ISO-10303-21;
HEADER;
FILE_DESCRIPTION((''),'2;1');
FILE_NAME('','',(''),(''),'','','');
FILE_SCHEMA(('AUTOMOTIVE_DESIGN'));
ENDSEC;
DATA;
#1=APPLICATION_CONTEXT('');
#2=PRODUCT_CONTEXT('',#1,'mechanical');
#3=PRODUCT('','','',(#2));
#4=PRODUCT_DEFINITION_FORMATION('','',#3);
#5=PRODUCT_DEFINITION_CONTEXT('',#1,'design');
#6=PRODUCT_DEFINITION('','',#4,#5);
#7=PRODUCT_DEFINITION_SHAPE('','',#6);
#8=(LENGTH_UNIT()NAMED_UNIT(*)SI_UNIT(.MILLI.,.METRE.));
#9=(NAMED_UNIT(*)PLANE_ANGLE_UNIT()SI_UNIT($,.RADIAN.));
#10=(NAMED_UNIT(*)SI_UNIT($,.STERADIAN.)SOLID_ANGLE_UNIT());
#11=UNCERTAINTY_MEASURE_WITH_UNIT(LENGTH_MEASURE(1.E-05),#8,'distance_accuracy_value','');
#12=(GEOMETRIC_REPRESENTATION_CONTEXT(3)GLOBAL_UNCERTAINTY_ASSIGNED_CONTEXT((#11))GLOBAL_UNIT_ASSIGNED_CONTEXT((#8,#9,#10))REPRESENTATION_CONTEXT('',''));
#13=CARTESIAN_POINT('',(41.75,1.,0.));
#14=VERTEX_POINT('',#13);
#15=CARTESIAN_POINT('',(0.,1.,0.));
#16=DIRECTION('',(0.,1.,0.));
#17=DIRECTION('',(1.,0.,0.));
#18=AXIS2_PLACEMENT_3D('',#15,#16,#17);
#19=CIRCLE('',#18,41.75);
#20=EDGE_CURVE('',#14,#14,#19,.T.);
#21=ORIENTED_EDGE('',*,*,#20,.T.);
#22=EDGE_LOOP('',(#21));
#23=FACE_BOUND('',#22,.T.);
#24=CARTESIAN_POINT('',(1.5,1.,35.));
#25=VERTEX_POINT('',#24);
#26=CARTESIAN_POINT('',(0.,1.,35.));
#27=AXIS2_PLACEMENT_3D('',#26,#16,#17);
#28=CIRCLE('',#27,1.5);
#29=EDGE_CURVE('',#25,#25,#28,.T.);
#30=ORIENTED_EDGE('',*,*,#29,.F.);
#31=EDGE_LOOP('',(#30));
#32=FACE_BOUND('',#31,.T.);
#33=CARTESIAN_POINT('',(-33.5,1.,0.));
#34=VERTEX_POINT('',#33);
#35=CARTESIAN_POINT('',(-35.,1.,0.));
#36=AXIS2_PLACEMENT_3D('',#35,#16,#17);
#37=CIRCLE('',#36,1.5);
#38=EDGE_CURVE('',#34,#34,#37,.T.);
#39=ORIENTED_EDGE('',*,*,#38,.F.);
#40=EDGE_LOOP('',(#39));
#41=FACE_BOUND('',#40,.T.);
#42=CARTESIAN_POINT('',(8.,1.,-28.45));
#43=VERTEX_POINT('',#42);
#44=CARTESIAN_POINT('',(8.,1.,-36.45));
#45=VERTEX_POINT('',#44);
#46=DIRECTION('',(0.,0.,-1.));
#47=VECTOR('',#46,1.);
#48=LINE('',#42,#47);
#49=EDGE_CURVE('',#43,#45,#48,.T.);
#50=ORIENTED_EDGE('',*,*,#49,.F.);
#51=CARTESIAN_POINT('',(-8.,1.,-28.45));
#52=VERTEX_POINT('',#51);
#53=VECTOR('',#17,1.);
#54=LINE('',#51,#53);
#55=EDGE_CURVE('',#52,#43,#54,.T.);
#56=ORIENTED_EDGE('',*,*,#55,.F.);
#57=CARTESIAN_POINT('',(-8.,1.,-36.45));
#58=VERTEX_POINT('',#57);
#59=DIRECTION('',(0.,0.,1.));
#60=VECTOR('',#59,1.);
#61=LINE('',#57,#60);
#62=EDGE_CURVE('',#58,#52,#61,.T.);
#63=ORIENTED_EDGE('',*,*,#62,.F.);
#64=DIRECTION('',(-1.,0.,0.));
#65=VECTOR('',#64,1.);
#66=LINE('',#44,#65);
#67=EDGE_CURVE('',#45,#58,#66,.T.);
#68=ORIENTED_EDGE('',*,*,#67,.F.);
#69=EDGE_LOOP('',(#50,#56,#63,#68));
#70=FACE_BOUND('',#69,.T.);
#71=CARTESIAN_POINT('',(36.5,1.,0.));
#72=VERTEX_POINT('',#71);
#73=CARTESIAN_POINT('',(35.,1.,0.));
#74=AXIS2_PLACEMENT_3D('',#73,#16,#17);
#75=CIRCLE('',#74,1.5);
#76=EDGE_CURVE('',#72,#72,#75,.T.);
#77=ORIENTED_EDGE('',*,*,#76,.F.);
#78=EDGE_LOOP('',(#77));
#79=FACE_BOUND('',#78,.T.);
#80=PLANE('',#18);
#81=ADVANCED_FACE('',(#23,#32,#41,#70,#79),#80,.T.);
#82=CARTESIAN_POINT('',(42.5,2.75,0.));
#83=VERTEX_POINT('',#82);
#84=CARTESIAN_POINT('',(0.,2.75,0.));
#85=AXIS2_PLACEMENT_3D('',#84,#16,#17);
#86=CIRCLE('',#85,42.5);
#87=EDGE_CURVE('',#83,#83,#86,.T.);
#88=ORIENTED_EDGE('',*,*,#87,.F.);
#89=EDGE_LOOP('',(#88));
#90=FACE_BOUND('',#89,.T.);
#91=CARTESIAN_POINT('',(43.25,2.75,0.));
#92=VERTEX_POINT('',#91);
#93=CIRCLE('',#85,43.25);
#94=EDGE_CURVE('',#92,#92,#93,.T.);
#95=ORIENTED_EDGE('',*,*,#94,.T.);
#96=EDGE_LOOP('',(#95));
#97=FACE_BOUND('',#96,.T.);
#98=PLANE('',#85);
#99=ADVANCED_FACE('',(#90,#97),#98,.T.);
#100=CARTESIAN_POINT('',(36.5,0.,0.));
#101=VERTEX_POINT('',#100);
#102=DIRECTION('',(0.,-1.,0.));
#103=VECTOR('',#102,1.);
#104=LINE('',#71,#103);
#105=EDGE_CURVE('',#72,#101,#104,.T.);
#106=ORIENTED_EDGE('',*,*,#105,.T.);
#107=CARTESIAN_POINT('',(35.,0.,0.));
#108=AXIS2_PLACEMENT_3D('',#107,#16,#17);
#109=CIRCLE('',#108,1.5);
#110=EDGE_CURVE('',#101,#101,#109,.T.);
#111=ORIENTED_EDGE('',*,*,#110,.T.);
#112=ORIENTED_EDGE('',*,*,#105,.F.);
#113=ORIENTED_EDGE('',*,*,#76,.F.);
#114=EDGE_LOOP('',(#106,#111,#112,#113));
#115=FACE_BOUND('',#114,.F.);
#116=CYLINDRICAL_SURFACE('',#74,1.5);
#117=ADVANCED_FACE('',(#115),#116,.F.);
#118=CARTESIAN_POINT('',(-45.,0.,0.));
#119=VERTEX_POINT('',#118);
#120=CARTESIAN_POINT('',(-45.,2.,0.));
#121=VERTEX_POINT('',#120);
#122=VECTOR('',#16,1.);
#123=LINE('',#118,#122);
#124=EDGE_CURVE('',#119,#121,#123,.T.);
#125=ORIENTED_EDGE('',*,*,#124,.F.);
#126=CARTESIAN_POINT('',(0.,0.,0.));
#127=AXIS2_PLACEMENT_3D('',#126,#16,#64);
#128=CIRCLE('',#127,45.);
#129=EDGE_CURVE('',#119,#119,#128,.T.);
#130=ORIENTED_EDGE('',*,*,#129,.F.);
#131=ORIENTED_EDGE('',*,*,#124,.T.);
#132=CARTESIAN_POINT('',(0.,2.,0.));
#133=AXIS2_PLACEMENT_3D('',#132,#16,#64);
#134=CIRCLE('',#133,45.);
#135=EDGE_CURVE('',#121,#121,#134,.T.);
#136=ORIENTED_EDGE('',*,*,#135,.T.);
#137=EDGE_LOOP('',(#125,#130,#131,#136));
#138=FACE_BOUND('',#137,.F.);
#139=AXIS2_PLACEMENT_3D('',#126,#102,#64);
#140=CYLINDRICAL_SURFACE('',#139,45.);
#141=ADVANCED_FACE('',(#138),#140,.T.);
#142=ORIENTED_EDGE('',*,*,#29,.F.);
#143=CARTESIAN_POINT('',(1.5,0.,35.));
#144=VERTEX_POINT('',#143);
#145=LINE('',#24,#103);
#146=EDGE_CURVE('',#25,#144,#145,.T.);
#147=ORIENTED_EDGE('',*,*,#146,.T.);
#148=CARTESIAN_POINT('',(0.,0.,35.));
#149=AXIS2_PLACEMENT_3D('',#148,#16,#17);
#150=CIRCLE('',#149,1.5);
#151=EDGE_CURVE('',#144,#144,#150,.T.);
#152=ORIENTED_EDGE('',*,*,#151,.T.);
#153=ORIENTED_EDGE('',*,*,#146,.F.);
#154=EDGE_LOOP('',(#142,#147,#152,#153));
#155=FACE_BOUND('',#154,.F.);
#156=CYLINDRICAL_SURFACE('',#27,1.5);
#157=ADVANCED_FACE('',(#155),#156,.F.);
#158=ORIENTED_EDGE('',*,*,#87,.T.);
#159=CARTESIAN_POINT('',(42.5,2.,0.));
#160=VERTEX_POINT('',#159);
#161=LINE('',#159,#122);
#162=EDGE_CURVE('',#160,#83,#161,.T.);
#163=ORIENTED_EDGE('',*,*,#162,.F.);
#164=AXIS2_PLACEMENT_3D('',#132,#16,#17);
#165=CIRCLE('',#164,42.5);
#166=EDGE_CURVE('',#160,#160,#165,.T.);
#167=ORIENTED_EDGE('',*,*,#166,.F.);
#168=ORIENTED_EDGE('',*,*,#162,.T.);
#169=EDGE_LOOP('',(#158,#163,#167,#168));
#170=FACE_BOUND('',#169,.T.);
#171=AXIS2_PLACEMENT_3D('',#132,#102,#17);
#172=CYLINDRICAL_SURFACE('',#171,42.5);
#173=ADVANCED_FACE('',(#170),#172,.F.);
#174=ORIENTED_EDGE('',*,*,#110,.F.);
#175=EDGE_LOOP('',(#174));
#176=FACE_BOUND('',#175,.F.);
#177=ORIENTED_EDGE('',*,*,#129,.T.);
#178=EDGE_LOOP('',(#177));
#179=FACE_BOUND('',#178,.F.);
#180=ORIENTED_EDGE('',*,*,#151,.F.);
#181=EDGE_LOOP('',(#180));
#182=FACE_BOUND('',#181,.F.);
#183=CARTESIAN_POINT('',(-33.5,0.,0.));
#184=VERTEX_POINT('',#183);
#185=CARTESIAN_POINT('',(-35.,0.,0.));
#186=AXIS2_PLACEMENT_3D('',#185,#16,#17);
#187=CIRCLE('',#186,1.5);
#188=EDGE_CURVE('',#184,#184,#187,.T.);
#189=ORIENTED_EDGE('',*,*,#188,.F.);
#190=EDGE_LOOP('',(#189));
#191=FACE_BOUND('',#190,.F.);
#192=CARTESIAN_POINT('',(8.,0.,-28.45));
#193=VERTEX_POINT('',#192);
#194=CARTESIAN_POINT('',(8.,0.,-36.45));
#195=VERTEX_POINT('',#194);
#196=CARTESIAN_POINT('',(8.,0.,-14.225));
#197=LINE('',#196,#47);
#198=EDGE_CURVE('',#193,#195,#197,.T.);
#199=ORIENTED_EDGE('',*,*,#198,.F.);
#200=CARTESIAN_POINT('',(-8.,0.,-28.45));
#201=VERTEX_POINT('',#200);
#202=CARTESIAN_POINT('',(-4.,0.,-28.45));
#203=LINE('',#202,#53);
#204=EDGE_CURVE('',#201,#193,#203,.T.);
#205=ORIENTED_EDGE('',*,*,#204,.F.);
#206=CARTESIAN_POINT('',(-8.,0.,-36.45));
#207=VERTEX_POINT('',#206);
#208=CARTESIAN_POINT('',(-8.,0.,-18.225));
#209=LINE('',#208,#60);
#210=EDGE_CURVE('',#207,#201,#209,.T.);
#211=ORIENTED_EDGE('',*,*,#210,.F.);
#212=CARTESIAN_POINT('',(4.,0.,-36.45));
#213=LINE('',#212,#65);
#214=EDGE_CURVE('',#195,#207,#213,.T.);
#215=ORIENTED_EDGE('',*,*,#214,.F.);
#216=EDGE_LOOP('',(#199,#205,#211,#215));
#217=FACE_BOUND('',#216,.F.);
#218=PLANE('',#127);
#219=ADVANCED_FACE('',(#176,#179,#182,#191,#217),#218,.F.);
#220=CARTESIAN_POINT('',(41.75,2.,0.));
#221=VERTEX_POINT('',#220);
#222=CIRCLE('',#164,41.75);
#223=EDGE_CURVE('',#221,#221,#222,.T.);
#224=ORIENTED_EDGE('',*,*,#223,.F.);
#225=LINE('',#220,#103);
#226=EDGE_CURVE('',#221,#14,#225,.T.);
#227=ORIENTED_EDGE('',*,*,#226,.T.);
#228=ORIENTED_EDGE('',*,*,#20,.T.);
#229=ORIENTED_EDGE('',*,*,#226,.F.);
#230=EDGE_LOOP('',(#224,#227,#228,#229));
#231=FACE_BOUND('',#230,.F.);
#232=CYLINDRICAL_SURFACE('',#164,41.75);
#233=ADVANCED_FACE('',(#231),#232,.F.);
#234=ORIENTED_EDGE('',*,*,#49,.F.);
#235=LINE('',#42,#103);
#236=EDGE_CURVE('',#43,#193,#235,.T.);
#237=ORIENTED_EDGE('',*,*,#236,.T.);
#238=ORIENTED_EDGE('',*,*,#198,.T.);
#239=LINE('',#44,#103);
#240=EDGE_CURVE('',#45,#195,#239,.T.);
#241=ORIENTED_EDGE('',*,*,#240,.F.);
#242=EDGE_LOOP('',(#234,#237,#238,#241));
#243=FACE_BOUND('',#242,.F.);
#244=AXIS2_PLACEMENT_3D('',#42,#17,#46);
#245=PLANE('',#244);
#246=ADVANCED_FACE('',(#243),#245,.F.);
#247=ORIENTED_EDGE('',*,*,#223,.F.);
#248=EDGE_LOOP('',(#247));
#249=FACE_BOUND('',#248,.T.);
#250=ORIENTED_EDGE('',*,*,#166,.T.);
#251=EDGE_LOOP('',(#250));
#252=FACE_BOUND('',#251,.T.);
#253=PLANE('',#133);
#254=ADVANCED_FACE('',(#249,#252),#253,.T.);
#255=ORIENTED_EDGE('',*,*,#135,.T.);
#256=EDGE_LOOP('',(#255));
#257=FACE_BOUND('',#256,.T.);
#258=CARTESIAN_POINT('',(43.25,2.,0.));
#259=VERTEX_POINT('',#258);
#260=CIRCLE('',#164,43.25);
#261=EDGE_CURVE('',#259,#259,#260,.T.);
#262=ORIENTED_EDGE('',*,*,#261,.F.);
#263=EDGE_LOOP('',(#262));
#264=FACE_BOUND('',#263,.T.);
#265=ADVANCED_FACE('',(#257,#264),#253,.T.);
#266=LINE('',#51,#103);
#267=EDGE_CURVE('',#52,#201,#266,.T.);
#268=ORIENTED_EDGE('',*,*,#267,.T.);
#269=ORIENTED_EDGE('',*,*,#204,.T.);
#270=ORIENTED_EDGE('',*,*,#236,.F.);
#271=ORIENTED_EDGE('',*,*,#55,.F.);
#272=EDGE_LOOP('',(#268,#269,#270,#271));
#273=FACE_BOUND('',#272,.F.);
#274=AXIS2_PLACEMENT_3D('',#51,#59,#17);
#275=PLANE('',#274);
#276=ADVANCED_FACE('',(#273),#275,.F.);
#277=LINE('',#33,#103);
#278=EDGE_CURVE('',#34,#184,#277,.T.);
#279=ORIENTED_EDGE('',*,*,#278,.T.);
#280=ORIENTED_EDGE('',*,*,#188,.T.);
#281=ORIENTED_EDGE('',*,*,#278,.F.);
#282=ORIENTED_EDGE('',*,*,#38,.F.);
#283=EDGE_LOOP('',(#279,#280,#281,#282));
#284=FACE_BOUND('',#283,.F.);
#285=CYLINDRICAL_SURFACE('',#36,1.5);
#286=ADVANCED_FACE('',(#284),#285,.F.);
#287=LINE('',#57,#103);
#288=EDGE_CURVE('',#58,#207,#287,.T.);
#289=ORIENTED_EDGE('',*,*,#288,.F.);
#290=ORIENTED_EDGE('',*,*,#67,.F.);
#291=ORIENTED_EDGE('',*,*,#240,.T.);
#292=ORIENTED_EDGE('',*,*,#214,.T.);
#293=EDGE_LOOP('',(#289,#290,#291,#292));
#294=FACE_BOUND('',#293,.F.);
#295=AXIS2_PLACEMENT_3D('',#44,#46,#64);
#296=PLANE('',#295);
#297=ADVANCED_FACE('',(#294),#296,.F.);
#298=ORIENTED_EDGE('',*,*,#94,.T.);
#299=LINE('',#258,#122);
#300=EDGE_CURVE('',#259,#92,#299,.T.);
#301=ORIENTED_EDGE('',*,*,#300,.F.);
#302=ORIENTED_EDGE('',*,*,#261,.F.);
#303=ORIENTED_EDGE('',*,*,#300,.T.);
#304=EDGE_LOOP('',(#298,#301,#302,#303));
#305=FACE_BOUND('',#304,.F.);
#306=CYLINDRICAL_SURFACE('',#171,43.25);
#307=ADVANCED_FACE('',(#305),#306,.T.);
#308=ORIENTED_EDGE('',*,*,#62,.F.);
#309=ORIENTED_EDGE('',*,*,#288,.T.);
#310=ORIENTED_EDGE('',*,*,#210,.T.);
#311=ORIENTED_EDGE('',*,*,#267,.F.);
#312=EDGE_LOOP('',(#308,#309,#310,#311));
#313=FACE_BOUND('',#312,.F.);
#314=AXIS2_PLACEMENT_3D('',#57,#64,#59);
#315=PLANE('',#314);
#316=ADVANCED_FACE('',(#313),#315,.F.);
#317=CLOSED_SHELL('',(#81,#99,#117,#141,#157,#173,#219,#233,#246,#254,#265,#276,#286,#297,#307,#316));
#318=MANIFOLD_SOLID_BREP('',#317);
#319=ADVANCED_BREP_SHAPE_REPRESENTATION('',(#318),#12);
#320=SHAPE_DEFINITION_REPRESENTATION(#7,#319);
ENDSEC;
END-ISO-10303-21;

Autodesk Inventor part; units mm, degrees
ref_plane "YZ Plane" through (0, 0, 0) normal (1, 0, 0) x (0, 1, 0)
ref_plane "XZ Plane" through (0, 0, 0) normal (0, 1, 0) x (-1, 0, 0)
ref_plane "XY Plane" through (0, 0, 0) normal (0, 0, 1) x (1, 0, 0)
sketch "Sketch1" plane through (0, 0, 0) normal (0, 1, 0) x (-1, 0, 0)
  circle A0 centre (0, 0) radius 45
  dimension "d0" = 90
extrude "Extrusion1" add sketch "Sketch1" along normal blind 2
sketch "Sketch2" plane through (0, 2, 0) normal (0, 1, 0) x (1, 0, 0)
  circle A0 centre (0, 0) radius 45 projected
  circle A1 centre (0, 0) radius 42.5
  circle A2 centre (0, 0) radius 41.75
  circle A3 centre (0, 0) radius 43.25
  dimension "d3" = 2.5
  dimension "d4" = 0.75
  dimension "d5" = 0.75
extrude "Extrusion2" cut sketch "Sketch2" against normal blind 1 contours A2
extrude "Extrusion3" add sketch "Sketch2" along normal blind 0.75 contours A3
sketch "Sketch3" plane through (0, 1, 0) normal (0, 1, 0) x (1, 0, 0)
  circle A0 centre (0, 0) radius 40 construction
  line L0 (8, 36.45) -> (-8, 36.45)
  line L1 (-8, 36.45) -> (-8, 28.45)
  line L2 (-8, 28.45) -> (8, 28.45)
  line L3 (8, 28.45) -> (8, 36.45)
  circle A1 centre (35, 0) radius 1.5
  circle A2 centre (0, -35) radius 1.5
  circle A3 centre (-35, 0) radius 1.5
  line L4 (40, 0) -> (-40, 0) construction
  line L5 (0, 0) -> (0, -40) construction
  line L6 (0, 0) -> (0, 40) construction
  point P0 (0, 36.45)
  dimension "d10" = 80
  dimension "d11" = 5
  dimension "d12" = 3
  dimension "d13" = 3
  dimension "d14" = 5
  dimension "d15" = 3
  dimension "d16" = 5
  dimension "d17" = 16
  dimension "d18" = 8
  dimension "d21" = 36.45
extrude "Extrusion5" cut sketch "Sketch3" against normal through all contours L3 L2 L1 L0
extrude "Extrusion6" cut sketch "Sketch3" against normal through all contours A1 | A2 | A3
properties part number "ROUNDTOPCOVER"
